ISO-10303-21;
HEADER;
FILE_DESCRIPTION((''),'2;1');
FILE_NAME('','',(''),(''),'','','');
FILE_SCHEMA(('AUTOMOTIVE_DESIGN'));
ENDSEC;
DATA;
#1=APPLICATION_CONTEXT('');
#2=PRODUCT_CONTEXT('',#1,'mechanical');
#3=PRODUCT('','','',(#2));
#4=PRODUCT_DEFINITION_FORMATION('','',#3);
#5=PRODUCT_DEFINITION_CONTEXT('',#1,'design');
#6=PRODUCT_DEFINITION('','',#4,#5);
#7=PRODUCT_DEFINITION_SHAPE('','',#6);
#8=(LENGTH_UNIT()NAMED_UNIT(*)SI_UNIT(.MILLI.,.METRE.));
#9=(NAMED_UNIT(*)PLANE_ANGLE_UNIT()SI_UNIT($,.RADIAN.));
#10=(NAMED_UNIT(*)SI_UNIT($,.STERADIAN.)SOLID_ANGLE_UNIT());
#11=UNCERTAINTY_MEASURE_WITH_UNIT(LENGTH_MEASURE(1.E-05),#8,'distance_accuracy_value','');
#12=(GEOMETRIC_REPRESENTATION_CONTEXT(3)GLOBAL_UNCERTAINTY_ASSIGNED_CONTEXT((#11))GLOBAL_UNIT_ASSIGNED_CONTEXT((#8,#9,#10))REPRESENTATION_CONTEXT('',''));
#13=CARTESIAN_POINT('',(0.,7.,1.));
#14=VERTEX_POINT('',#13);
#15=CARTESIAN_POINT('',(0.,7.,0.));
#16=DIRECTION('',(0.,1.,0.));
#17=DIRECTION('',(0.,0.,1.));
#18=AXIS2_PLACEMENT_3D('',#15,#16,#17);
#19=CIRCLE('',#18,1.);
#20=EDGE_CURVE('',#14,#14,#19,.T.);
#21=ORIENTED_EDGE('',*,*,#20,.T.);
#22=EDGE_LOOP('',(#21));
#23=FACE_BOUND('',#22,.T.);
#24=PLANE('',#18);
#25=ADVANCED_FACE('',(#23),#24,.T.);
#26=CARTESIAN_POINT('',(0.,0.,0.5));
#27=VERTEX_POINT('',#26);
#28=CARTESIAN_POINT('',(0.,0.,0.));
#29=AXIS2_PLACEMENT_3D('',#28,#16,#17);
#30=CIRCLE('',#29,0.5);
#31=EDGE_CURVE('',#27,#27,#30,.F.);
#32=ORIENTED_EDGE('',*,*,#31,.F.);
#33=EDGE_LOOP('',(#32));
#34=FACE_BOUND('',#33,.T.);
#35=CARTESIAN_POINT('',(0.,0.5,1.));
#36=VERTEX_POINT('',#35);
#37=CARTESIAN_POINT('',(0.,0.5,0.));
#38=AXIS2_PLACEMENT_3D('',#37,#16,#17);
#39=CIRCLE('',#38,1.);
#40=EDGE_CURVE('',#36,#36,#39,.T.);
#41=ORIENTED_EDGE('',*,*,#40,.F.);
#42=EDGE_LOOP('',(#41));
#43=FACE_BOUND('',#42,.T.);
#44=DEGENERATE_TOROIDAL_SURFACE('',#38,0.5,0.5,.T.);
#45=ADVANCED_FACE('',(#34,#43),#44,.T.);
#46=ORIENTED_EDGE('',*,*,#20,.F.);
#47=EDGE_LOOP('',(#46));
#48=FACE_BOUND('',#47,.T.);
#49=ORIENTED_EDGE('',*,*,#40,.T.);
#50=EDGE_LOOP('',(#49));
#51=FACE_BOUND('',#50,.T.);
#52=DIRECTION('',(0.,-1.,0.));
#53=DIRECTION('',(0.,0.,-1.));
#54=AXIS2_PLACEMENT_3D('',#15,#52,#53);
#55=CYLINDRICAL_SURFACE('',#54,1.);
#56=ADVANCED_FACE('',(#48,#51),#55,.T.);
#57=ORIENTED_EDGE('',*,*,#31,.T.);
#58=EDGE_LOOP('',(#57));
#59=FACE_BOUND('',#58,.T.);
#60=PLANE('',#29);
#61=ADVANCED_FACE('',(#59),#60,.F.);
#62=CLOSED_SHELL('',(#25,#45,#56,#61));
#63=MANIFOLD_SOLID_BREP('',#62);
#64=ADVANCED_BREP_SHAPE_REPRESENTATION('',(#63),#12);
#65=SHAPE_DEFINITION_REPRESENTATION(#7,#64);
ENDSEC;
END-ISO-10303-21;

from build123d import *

# Parameters (mm, degrees)
SKETCH1_R           = 1
BOSS_EXTRUDE1_DEPTH = 7
FILLET1_R           = 0.5


with BuildPart() as part:
    # Sketch1 → Boss-Extrude1 (new body)
    with BuildSketch(Plane(origin=(0, 0, 0), x_dir=(1, 0, 0), z_dir=(0, 1, 0))):
        Circle(SKETCH1_R)
    extrude(amount=BOSS_EXTRUDE1_DEPTH)

    # Fillet1
    fillet1_edges = [part.edges().sort_by_distance(p)[0] for p in [
        (-1, 0, 0),
    ]]
    fillet(fillet1_edges, radius=FILLET1_R)


solid = part.part
